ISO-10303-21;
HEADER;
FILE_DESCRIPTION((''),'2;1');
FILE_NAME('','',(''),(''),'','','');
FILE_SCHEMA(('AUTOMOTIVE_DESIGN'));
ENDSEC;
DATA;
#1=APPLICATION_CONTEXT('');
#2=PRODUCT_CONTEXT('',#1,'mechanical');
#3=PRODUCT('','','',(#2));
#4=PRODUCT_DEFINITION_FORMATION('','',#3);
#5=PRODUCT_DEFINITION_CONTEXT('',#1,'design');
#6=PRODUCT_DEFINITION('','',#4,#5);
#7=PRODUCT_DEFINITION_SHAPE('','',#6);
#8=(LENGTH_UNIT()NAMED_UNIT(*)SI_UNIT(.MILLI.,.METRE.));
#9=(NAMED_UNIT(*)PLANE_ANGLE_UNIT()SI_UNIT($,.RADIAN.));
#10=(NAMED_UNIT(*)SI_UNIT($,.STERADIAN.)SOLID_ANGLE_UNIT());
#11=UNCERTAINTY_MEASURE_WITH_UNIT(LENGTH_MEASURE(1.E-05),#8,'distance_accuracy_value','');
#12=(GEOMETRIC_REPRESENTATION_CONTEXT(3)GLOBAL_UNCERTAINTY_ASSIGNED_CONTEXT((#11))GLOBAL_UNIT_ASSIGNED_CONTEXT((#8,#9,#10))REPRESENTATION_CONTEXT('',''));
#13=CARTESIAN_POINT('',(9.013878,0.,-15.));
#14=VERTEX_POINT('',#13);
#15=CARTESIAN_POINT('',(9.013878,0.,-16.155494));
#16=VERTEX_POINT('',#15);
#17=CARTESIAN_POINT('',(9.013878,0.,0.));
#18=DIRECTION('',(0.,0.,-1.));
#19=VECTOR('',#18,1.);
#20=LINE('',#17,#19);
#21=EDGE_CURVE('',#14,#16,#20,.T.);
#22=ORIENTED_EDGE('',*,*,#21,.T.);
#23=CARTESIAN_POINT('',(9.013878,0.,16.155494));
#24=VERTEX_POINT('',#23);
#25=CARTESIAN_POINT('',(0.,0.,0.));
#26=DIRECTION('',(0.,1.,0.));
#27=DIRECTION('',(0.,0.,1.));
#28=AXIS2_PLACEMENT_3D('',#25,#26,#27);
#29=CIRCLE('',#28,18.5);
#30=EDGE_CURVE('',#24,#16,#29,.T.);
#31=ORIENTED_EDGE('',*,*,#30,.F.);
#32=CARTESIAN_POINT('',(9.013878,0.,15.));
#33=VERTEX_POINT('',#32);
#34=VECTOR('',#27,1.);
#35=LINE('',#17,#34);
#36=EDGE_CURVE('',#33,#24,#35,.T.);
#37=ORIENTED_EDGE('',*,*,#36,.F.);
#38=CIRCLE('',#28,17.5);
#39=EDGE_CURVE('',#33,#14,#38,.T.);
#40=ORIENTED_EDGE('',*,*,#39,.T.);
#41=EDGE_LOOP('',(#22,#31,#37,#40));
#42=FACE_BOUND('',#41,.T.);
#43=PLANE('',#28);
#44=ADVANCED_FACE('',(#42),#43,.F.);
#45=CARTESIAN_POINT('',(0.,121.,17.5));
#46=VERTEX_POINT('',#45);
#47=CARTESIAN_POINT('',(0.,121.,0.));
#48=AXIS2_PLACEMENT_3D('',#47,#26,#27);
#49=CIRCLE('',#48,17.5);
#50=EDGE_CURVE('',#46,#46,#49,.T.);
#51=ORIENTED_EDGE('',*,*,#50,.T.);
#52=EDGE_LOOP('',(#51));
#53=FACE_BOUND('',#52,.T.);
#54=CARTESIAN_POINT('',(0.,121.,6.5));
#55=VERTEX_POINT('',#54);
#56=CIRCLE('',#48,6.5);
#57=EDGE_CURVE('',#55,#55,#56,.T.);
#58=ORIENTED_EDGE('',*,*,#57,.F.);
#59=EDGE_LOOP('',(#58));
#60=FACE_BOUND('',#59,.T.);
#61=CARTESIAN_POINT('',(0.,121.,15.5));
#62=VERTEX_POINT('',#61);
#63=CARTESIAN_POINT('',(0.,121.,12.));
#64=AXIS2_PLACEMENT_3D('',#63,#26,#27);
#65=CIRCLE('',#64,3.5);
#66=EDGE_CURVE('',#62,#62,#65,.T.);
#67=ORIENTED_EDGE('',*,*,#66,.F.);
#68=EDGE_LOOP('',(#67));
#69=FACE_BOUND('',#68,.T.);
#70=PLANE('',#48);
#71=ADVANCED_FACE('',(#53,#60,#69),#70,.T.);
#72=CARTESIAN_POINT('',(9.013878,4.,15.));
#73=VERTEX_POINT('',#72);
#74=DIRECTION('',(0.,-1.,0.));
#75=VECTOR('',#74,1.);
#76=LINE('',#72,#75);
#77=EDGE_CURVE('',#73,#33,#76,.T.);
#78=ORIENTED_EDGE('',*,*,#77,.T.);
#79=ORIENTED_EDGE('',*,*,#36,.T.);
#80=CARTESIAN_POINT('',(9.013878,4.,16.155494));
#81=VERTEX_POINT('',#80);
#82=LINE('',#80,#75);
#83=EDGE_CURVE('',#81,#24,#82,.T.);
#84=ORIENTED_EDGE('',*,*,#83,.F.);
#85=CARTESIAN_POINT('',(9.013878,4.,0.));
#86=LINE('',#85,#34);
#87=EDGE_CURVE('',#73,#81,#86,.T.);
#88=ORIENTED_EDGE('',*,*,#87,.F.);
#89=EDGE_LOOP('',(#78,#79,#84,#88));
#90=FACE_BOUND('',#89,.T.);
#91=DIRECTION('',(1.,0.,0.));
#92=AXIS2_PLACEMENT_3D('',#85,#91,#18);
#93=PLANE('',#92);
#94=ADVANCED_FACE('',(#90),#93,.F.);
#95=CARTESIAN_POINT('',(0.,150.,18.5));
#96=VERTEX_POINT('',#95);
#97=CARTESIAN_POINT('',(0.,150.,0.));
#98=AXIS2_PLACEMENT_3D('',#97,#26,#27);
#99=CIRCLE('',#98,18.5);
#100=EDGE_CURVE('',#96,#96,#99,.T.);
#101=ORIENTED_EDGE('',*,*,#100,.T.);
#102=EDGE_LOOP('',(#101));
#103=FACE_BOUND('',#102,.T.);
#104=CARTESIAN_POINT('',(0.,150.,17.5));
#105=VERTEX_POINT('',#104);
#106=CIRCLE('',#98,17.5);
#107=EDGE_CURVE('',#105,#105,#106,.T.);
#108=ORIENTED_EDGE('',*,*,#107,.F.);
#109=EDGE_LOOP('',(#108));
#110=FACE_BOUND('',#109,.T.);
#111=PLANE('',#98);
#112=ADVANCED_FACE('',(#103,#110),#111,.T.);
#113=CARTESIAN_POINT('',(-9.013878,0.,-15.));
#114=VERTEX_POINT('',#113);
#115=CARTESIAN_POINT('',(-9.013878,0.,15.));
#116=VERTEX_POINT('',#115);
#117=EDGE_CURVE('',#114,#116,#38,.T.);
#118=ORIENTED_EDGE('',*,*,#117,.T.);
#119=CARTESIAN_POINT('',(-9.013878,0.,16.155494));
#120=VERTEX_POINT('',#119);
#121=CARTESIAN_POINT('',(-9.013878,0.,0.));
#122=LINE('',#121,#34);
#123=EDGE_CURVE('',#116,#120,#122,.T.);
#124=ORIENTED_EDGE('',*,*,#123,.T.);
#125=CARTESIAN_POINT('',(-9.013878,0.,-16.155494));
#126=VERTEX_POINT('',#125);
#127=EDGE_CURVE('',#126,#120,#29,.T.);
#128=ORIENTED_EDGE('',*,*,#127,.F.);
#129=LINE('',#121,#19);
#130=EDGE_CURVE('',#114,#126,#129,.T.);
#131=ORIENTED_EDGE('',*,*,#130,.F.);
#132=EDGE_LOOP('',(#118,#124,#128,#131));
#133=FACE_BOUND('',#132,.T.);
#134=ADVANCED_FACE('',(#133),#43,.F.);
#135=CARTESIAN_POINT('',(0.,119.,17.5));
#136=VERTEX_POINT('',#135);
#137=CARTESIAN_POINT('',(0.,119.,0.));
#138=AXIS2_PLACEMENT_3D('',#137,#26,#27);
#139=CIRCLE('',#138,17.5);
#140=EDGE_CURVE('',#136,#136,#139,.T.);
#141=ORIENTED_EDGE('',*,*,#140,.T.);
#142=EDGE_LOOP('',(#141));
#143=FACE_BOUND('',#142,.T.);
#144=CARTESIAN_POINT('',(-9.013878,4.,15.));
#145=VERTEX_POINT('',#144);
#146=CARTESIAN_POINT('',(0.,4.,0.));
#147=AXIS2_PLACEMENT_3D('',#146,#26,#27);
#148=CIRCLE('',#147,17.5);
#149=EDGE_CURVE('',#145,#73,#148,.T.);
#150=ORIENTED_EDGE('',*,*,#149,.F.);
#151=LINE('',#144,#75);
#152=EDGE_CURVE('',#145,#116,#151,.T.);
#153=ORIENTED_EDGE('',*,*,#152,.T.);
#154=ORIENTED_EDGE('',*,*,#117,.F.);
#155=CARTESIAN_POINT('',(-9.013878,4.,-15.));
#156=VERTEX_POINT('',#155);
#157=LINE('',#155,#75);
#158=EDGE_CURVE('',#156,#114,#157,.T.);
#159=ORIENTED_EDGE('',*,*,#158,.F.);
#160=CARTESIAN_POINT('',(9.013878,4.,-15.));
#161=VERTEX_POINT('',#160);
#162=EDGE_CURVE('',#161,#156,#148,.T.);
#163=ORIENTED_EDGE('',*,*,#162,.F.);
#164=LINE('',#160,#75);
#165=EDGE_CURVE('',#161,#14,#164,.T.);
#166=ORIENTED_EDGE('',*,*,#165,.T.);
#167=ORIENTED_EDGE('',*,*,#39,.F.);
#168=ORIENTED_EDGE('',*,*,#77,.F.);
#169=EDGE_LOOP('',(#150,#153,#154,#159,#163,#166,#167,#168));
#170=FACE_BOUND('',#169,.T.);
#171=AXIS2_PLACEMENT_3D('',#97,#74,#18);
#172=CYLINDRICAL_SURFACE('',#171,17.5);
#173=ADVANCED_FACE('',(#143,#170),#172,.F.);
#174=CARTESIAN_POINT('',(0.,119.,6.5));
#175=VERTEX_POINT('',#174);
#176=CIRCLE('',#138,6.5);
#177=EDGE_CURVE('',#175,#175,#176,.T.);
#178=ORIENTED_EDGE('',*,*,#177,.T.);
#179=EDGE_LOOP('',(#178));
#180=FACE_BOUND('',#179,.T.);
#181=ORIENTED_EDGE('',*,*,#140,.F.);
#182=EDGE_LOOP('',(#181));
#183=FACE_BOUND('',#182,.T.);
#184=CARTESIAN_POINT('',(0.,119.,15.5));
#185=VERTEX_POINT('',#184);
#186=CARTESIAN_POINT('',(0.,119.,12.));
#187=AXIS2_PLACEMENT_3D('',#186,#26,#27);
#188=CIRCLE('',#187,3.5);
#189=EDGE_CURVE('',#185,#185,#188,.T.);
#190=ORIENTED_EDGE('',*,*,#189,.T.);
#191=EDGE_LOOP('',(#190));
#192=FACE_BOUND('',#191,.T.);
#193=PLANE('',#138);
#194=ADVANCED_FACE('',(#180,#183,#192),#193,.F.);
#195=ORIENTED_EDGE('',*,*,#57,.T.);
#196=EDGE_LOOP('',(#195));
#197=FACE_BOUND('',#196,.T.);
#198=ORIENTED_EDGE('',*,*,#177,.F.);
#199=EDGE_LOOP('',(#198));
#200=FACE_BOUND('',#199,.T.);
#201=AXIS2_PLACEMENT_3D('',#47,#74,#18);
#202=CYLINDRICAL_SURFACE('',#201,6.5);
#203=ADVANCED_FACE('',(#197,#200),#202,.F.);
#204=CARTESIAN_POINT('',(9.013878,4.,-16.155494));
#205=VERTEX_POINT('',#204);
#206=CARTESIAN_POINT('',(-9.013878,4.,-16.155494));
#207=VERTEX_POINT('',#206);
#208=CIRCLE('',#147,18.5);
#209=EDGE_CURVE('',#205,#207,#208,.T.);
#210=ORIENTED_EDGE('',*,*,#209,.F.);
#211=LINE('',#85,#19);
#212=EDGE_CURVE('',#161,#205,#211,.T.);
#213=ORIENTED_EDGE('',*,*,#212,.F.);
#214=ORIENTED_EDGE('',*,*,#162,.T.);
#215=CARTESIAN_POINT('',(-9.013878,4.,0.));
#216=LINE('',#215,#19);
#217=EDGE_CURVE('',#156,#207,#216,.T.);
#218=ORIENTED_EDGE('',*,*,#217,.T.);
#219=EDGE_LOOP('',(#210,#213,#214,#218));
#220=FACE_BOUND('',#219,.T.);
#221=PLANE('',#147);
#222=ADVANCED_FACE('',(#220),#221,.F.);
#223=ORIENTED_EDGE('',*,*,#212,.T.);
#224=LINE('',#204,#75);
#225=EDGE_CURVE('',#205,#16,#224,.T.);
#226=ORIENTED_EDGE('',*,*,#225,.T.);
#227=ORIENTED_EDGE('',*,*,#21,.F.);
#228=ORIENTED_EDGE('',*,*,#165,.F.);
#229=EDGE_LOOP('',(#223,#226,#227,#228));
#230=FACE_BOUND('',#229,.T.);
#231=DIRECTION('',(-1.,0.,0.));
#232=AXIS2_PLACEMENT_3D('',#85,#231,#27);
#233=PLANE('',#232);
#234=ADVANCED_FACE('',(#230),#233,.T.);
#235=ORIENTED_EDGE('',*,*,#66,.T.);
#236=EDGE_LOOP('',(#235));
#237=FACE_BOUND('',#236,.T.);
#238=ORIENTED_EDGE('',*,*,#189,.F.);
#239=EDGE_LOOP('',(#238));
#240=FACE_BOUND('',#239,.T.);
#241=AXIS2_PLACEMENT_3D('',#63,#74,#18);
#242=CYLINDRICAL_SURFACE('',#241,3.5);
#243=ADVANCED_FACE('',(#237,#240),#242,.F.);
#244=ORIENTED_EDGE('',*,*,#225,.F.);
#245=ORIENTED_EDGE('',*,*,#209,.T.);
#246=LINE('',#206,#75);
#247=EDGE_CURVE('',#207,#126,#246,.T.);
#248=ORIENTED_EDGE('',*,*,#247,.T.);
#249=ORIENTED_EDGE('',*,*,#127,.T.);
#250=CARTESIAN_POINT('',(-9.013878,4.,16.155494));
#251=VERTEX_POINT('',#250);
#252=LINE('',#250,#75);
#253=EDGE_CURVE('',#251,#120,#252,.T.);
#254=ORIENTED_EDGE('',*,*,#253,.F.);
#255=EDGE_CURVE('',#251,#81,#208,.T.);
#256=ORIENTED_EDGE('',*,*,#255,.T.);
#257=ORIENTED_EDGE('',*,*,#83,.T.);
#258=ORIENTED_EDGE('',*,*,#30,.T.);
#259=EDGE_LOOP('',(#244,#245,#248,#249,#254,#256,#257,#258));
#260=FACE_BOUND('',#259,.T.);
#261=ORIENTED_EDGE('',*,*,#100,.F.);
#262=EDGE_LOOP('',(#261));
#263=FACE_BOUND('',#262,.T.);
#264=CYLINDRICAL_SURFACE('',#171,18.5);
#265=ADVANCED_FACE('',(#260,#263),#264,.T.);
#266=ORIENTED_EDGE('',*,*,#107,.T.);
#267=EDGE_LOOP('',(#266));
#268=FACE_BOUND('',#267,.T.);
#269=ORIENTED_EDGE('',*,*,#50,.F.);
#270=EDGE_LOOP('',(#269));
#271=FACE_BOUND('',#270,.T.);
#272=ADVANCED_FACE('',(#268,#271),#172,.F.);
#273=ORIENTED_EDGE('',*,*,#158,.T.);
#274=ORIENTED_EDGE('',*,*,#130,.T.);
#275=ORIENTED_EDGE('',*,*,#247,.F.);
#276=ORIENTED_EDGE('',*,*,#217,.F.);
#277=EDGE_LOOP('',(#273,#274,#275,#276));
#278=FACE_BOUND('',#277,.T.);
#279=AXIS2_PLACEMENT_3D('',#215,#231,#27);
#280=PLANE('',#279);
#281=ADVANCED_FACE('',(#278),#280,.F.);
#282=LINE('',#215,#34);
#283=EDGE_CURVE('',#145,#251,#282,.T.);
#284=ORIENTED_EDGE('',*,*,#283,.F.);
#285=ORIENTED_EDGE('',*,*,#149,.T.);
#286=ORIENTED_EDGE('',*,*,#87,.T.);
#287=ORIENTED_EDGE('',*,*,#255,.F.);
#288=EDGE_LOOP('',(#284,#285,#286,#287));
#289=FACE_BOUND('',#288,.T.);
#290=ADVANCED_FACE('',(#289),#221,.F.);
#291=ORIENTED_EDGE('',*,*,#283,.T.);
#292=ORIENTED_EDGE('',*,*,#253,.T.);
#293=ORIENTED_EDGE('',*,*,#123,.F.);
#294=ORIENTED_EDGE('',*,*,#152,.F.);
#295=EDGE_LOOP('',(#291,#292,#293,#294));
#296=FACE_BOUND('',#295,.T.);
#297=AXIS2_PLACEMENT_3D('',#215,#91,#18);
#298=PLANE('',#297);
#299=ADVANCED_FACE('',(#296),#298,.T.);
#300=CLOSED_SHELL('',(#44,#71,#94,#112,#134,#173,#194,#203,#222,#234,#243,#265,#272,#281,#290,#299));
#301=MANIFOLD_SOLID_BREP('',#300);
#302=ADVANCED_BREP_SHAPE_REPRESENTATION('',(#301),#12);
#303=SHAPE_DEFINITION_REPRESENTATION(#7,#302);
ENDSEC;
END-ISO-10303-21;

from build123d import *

# Parameters (mm, degrees)
SKETCH1_R          = 18.5
SKETCH1_R_2        = 17.5
SHELL_DEPTH        = 150
SKETCH8_R          = 17.5
SKETCH8_R_2        = 3.5
SKETCH8_R_3        = 6.5
RODALIGNER_DEPTH   = 1
CUT_EXTRUDE1_DEPTH = 4


with BuildPart() as part:
    # Sketch1 → Shell (new body)
    with BuildSketch(Plane(origin=(0, 0, 0), x_dir=(1, 0, 0), z_dir=(0, 1, 0))):
        Circle(SKETCH1_R)
        Circle(SKETCH1_R_2, mode=Mode.SUBTRACT)
    extrude(amount=SHELL_DEPTH)

    # Sketch8 → RodAligner (add, symmetric)
    with BuildSketch(Plane(origin=(0, 120, 0), x_dir=(1, 0, 0), z_dir=(0, 1, 0))):
        Circle(SKETCH8_R)
        with Locations((0, -12)):
            Circle(SKETCH8_R_2, mode=Mode.SUBTRACT)
        Circle(SKETCH8_R_3, mode=Mode.SUBTRACT)
    extrude(amount=RODALIGNER_DEPTH, both=True)

    # Sketch1<7> → Cut-Extrude1 (cut)
    with BuildSketch(Plane(origin=(0, 0, 0), x_dir=(1, 0, 0), z_dir=(0, 1, 0))):
        with BuildLine():
            Line((-9.013878189, 16.155494421), (-9.013878189, 15))
            ThreePointArc((-9.013878189, 15), (0, 17.5), (9.013878189, 15))
            Line((9.013878189, 15), (9.013878189, 16.155494421))
            ThreePointArc((9.013878189, 16.155494421), (0, 18.5), (-9.013878189, 16.155494421))
        make_face()
        with BuildLine():
            ThreePointArc((9.013878189, -15), (0, -17.5), (-9.013878189, -15))
            Line((-9.013878189, -15), (-9.013878189, -16.155494421))
            ThreePointArc((-9.013878189, -16.155494421), (0, -18.5), (9.013878189, -16.155494421))
            Line((9.013878189, -16.155494421), (9.013878189, -15))
        make_face()
    extrude(amount=CUT_EXTRUDE1_DEPTH, mode=Mode.SUBTRACT)


solid = part.part
